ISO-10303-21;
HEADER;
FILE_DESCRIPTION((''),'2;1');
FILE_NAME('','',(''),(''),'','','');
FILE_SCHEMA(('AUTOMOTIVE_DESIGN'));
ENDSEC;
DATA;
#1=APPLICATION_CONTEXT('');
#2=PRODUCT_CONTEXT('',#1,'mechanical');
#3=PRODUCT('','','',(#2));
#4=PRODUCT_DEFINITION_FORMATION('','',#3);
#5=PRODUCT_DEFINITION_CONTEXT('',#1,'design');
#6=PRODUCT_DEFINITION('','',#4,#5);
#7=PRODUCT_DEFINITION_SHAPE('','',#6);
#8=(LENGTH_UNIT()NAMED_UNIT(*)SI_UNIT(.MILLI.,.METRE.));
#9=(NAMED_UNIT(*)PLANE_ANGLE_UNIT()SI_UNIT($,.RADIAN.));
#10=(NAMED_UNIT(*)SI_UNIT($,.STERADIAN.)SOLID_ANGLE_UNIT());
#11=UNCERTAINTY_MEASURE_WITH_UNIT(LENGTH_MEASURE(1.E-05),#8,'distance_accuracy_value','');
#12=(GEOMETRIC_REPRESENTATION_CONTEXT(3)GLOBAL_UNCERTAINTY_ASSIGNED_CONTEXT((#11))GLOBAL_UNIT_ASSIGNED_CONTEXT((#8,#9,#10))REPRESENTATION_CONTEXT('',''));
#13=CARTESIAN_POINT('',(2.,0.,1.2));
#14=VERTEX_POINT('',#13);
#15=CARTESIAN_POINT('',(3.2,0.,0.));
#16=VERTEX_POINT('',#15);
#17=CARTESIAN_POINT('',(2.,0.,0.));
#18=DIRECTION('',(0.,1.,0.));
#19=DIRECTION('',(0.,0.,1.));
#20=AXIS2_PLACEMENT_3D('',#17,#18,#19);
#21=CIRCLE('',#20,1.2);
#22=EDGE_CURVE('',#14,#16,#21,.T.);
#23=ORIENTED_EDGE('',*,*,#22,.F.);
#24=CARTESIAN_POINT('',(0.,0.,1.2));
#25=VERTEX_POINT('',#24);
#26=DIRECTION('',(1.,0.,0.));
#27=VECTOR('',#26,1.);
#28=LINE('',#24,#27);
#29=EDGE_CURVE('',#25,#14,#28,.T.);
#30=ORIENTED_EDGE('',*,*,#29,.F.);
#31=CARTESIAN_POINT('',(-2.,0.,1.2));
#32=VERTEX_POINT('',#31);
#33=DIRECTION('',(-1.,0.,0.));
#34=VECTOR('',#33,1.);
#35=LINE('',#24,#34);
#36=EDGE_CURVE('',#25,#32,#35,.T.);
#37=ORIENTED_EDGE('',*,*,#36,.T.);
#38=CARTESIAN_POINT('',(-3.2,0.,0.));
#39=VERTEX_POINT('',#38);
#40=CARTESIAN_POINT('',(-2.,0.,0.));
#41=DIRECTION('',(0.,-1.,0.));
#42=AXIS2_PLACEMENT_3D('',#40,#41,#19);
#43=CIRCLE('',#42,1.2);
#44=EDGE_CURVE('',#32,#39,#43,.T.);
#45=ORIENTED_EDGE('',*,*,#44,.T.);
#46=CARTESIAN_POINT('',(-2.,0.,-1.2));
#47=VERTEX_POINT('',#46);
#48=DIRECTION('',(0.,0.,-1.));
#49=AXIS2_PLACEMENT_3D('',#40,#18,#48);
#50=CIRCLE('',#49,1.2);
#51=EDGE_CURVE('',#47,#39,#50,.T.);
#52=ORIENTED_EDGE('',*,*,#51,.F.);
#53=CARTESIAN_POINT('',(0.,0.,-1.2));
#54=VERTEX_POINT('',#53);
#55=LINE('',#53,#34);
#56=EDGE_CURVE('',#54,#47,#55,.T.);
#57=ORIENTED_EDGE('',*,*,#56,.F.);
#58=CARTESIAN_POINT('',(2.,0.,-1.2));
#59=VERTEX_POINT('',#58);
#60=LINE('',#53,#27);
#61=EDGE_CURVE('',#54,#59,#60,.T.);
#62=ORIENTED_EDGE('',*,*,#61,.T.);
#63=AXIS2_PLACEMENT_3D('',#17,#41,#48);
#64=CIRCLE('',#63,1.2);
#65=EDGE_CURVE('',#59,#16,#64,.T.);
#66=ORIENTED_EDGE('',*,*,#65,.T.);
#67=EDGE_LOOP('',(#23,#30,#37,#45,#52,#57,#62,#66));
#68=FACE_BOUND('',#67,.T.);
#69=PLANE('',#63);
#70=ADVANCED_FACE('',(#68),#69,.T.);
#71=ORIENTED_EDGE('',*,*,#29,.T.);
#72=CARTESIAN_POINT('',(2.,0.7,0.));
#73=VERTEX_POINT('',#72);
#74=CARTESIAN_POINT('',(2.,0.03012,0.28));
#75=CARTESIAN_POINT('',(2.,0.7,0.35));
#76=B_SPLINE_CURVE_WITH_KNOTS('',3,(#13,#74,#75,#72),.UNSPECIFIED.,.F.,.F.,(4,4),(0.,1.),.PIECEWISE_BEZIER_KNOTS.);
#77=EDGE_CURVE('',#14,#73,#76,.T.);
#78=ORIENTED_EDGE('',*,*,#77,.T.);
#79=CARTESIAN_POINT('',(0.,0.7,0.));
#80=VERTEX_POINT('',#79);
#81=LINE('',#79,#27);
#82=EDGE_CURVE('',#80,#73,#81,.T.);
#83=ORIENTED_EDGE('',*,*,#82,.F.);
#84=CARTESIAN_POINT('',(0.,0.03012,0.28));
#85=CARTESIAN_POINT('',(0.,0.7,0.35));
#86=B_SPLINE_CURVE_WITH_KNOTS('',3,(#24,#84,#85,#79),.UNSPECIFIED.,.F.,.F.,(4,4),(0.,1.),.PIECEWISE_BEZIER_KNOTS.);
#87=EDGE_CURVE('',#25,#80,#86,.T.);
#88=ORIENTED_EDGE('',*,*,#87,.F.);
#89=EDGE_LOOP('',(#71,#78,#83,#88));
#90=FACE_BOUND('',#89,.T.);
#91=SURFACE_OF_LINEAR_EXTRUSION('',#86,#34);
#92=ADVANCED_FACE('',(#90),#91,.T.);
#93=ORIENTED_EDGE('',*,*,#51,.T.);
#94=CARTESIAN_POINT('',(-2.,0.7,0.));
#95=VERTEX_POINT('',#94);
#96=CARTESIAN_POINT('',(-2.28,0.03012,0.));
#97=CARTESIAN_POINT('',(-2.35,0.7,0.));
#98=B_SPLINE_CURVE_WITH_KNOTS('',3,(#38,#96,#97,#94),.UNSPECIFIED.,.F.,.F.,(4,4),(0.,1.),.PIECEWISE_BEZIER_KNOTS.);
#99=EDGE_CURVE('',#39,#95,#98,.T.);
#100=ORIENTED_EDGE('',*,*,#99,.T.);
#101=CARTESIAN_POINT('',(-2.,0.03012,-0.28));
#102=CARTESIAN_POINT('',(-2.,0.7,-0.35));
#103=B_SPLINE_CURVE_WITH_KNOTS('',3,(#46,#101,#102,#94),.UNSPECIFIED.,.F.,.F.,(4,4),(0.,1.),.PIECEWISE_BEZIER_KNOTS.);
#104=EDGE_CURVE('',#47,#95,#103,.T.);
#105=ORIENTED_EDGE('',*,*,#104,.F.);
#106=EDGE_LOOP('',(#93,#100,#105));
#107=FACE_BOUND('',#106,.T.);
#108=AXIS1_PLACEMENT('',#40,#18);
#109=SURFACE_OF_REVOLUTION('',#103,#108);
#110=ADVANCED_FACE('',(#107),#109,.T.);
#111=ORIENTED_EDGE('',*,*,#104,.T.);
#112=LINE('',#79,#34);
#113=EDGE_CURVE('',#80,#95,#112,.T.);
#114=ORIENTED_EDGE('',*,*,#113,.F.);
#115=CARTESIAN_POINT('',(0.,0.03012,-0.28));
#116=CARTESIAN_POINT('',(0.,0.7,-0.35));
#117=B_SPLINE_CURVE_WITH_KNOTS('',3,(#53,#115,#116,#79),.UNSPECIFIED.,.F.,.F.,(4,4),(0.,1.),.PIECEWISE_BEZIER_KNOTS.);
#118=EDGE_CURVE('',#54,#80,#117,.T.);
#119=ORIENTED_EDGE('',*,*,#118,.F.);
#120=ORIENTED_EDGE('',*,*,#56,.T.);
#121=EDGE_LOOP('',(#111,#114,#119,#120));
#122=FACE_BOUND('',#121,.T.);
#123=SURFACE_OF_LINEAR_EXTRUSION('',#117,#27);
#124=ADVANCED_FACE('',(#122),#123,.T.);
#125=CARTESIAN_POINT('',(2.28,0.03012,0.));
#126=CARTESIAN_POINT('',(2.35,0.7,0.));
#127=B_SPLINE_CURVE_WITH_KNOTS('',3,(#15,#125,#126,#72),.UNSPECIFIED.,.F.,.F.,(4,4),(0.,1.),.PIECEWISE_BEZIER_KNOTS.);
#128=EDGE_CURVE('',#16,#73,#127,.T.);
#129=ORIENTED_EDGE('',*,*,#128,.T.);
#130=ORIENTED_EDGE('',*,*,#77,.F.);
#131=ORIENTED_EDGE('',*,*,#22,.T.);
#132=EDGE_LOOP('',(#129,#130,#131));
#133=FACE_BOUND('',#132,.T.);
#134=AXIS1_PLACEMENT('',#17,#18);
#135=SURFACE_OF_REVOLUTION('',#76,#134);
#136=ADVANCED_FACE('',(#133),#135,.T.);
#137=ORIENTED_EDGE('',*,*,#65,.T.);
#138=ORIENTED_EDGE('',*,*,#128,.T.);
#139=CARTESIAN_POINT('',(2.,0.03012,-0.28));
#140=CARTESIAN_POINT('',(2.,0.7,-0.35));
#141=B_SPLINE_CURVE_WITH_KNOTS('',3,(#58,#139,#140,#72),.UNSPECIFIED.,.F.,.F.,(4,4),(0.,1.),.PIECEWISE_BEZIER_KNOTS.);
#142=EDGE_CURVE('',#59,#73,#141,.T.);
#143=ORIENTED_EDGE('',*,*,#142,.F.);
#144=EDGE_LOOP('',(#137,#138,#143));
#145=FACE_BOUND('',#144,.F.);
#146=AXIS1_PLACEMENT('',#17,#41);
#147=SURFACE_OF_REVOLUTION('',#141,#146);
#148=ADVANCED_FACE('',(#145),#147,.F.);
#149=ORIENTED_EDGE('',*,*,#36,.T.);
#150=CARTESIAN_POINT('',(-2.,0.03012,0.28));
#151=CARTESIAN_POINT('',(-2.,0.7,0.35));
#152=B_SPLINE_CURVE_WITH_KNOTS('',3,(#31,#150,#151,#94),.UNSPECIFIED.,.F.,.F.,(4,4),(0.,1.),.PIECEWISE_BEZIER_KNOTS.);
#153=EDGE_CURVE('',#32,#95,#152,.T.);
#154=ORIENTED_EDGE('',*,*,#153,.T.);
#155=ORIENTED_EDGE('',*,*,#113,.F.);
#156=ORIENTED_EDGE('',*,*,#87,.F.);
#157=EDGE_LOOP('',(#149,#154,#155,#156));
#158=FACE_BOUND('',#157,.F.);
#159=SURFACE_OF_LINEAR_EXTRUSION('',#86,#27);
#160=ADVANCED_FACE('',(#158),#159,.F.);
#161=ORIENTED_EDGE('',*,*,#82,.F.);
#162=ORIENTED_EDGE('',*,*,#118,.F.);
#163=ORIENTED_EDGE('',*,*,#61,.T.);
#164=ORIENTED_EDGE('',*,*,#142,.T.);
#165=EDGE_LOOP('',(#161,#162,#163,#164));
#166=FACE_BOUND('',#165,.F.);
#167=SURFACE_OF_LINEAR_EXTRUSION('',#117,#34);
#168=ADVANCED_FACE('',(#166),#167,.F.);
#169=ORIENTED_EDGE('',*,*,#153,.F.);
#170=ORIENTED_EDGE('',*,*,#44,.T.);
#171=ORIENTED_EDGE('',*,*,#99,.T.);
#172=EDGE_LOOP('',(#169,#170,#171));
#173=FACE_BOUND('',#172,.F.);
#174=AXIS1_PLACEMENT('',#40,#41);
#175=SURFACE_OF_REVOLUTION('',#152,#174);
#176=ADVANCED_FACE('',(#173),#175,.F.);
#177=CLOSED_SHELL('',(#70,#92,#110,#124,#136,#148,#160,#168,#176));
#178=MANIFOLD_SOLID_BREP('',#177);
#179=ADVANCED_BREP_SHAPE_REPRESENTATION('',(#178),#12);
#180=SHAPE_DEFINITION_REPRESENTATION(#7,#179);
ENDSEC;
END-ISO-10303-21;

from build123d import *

# Parameters (mm, degrees)
REVOLUTION_ANGLE          = -90
PAD_DEPTH                 = 2
FUSION002_PLACEMENT_ANGLE = 90


with BuildPart() as body001:
    # Sketch001 → Revolution (revolve)
    with BuildSketch(Plane.YZ):
        with BuildLine():
            add(Edge.make_bspline(
                [(1.2, 0), (0.28, 0.03012), (0.35, 0.7), (0, 0.7)],
                knots=[0, 0, 0, 0, 1, 1, 1, 1], degree=3))
            Line((0, 0.7), (0, 0))
            Line((0, 0), (1.2, 0))
        make_face()
    revolve(axis=Axis((0, 0, 0), (0, 0, 1)), revolution_arc=REVOLUTION_ANGLE)


with BuildPart() as body001_1:
    # Body001 placement: moved
    add(body001.part.moved(Location((2, 0, 0))))


with BuildPart() as fusion:
    # Sketch → Pad (new body)
    with BuildSketch(Plane.YZ):
        with BuildLine():
            add(Edge.make_bspline(
                [(1.2, 0), (0.28, 0.03012), (0.35, 0.7), (0, 0.7)],
                knots=[0, 0, 0, 0, 1, 1, 1, 1], degree=3))
            Line((0, 0.7), (0, 0))
            Line((0, 0), (1.2, 0))
        make_face()
    extrude(amount=PAD_DEPTH)

    # Fusion: union Body001
    add(body001_1.part)


with BuildPart() as fusion001:
    # Part__Mirroring: instance of Fusion
    add(fusion.part.mirror(Plane(origin=(0, 0, 0), x_dir=(0, -1, 0), z_dir=(1, 0, 0))))

    # Fusion001: union Fusion
    add(fusion.part)


with BuildPart() as part_mirroring001:
    # Part__Mirroring001: instance of Fusion001
    add(fusion001.part.mirror(Plane(origin=(0, 0, 0), x_dir=(1, 0, 0), z_dir=(0, 1, 0))))


with BuildPart() as fusion002:
    # Fusion002 base: copy of Fusion001
    add(fusion001.part)

    # Fusion002: union Part__Mirroring001
    add(part_mirroring001.part)


with BuildPart() as fusion002_1:
    # Fusion002 placement: moved
    add(fusion002.part.rotate(Axis((0, 0, 0), (-1, 0, 0)), FUSION002_PLACEMENT_ANGLE))


solid = fusion002_1.part
